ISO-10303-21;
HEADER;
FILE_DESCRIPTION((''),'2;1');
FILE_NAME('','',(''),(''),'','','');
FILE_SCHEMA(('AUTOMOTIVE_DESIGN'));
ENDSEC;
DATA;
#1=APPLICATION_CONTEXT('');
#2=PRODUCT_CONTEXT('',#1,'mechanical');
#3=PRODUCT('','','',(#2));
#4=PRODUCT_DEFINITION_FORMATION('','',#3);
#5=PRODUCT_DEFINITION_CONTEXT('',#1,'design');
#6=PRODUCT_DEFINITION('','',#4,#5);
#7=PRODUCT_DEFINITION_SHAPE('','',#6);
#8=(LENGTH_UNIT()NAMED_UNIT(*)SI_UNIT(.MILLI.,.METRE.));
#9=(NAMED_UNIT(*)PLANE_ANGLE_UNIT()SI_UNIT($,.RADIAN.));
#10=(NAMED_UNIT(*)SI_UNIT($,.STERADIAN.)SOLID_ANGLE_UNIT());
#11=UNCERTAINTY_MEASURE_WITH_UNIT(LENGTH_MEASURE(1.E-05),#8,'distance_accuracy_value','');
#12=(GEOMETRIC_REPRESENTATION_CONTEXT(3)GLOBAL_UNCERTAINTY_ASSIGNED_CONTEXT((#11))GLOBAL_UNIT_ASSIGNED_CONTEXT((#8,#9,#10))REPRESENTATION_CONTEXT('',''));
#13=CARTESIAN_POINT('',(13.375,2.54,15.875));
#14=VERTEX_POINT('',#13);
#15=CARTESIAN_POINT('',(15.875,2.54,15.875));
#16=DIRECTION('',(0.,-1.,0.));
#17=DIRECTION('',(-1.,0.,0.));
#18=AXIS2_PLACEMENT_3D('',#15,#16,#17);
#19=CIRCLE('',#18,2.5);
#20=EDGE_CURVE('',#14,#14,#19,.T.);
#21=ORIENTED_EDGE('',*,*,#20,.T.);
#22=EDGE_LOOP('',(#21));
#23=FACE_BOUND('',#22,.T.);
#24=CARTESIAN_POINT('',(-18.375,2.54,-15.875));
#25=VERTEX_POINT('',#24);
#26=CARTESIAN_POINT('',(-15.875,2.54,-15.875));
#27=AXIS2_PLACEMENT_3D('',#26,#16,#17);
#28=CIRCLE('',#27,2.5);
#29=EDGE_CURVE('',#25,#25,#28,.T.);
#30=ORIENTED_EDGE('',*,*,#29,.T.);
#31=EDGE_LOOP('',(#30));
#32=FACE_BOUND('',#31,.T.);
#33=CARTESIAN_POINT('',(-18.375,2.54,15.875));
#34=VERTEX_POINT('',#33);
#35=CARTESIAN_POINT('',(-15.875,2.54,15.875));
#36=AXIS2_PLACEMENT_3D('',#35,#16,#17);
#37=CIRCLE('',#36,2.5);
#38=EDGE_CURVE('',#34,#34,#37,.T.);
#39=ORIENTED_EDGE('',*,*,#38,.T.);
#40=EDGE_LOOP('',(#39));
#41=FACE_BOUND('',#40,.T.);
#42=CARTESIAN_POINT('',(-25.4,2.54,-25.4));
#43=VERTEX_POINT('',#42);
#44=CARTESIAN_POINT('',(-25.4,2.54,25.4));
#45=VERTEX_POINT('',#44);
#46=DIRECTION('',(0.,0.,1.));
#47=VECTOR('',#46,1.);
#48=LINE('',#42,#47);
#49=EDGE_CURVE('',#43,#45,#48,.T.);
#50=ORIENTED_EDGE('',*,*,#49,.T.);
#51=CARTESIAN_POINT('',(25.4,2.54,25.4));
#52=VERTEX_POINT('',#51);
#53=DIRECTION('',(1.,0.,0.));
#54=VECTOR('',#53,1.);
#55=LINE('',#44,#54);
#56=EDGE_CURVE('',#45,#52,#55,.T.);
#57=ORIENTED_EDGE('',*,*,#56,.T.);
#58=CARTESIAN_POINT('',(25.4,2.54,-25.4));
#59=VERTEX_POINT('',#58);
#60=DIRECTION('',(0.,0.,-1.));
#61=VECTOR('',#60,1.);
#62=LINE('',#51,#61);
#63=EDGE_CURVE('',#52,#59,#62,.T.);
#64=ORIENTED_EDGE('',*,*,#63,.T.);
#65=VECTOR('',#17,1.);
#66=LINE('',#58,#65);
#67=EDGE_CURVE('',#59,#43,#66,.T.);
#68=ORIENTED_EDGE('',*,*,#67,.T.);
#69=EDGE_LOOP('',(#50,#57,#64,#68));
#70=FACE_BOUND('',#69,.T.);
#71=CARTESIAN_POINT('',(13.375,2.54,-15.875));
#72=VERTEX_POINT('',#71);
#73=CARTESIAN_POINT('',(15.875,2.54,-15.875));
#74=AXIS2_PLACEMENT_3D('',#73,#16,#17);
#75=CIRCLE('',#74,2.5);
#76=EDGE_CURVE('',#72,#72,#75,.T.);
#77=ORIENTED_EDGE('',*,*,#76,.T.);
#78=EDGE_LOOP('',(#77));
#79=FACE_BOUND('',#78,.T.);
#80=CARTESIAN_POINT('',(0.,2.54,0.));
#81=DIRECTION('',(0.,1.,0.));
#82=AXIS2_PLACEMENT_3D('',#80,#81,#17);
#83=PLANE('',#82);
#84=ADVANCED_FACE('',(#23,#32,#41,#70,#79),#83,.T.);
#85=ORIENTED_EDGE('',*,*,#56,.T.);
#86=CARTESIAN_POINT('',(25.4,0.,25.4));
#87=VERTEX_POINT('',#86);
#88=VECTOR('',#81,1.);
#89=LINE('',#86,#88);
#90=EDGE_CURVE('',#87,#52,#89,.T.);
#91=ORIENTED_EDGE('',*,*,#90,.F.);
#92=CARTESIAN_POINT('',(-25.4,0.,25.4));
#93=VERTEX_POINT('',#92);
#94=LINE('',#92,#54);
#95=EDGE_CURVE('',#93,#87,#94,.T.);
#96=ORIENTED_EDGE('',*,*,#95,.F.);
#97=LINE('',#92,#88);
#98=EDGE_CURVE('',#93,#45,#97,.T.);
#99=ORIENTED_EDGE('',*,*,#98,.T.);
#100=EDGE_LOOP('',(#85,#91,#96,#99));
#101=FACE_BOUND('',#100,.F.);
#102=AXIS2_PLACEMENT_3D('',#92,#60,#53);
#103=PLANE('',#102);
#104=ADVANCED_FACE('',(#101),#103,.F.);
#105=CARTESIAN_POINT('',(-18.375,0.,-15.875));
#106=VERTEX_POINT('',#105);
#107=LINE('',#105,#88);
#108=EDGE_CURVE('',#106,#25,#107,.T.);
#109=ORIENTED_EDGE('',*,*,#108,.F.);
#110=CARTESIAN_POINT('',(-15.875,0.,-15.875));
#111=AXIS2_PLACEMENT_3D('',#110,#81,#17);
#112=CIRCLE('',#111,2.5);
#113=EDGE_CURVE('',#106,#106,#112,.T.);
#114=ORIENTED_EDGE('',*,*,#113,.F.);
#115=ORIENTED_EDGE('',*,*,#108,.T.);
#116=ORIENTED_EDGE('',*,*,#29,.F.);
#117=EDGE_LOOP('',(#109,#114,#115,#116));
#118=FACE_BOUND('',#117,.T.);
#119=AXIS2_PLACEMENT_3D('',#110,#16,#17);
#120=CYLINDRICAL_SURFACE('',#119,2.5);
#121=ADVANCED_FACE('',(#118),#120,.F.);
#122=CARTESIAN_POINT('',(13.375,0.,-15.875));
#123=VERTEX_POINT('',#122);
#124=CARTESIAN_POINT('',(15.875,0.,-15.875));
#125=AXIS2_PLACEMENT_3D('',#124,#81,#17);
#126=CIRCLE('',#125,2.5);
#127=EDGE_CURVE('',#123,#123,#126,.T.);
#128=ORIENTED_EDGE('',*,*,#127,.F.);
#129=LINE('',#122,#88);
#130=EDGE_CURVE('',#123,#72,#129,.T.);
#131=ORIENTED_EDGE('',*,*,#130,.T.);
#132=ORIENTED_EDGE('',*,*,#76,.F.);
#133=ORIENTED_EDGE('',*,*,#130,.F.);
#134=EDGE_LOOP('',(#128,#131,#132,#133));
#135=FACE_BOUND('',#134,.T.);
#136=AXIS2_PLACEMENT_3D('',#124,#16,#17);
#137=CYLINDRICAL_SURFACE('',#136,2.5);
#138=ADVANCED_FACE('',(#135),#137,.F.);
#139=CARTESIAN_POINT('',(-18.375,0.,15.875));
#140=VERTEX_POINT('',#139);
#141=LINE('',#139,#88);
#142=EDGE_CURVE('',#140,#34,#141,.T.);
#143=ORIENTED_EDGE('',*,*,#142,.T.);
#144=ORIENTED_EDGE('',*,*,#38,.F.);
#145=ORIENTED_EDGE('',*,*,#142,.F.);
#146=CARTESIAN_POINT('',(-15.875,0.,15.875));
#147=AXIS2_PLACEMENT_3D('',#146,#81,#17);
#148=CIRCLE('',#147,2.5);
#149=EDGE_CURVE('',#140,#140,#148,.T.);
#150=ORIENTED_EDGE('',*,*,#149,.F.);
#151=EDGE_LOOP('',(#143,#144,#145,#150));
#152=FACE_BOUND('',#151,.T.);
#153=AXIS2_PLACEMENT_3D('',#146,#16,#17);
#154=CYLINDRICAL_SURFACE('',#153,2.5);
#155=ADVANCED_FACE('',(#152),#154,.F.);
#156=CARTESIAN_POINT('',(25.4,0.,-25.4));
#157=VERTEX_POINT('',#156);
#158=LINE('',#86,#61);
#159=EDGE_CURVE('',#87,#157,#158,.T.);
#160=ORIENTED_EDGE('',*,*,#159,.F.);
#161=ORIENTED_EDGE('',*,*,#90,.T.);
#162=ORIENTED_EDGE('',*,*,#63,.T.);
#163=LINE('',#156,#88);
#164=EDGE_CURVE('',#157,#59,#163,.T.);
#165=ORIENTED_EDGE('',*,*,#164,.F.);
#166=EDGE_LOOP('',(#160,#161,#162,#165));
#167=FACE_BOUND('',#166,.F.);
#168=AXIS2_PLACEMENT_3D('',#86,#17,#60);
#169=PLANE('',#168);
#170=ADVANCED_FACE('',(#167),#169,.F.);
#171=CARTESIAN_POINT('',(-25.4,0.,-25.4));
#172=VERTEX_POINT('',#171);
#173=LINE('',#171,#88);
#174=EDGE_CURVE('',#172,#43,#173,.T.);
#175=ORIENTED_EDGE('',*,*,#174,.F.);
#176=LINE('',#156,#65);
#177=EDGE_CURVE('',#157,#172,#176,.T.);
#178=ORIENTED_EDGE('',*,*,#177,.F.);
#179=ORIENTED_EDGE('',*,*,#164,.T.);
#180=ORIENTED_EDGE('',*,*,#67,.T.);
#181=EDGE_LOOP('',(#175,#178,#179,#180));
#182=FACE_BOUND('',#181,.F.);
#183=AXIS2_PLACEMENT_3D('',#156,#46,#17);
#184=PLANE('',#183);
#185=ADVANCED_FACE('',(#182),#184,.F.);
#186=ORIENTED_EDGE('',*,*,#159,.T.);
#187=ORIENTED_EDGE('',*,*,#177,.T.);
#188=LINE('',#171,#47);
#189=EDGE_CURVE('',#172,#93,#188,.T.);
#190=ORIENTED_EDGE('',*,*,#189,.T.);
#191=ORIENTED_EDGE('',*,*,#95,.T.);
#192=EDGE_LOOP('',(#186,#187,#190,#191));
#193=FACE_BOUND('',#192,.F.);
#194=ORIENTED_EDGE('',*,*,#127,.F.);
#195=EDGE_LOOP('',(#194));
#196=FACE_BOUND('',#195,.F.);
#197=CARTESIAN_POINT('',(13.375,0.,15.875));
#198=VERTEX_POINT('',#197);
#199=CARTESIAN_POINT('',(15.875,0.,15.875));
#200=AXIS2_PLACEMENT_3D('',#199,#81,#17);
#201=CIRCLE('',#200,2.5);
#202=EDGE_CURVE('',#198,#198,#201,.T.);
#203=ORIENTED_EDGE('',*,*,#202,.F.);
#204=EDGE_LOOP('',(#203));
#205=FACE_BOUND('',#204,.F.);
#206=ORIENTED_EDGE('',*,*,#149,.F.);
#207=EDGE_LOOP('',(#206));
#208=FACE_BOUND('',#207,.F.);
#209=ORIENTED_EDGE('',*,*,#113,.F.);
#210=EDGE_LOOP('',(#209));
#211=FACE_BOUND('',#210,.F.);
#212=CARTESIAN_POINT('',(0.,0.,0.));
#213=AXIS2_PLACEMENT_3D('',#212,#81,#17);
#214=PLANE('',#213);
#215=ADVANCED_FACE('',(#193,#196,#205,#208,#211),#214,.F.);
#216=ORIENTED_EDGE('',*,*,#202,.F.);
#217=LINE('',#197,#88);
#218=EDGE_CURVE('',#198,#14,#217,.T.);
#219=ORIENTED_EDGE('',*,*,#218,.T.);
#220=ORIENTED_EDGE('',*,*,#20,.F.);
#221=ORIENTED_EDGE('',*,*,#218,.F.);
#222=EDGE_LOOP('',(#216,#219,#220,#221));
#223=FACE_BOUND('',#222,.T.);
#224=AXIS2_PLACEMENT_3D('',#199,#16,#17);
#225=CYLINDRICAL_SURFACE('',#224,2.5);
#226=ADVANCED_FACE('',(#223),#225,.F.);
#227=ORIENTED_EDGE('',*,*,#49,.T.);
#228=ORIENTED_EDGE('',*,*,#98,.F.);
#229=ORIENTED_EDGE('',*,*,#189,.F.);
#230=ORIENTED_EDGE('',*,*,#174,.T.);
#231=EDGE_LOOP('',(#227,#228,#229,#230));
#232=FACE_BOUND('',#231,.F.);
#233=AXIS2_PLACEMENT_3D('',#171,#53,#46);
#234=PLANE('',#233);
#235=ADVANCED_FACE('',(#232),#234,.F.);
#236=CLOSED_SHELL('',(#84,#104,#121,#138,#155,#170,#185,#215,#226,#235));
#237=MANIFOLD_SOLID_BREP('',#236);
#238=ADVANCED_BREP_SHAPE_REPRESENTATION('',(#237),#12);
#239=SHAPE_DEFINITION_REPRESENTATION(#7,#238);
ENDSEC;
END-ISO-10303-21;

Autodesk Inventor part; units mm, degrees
ref_plane "YZ Plane" through (0, 0, 0) normal (1, 0, 0) x (0, 1, 0)
ref_plane "XZ Plane" through (0, 0, 0) normal (0, 1, 0) x (-1, 0, 0)
ref_plane "XY Plane" through (0, 0, 0) normal (0, 0, 1) x (1, 0, 0)
sketch "Sketch1" plane through (0, 0, 0) normal (0, 1, 0) x (-1, 0, 0)
  line L0 (-25.4, -25.4) -> (25.4, -25.4)
  line L1 (25.4, -25.4) -> (25.4, 25.4)
  line L2 (25.4, 25.4) -> (-25.4, 25.4)
  line L3 (-25.4, 25.4) -> (-25.4, -25.4)
  line L4 (-25.4, -25.4) -> (25.4, 25.4) construction
  line L5 (25.4, -25.4) -> (-25.4, 25.4) construction
  line L6 (-15.875, 15.875) -> (15.875, 15.875)
  line L7 (15.875, 15.875) -> (15.875, -15.875)
  line L8 (15.875, -15.875) -> (-15.875, -15.875)
  line L9 (-15.875, -15.875) -> (-15.875, 15.875)
  line L10 (-15.875, 15.875) -> (15.875, -15.875) construction
  line L11 (15.875, 15.875) -> (-15.875, -15.875) construction
  circle A0 centre (15.875, 15.875) radius 2.5
  circle A1 centre (15.875, -15.875) radius 2.5
  circle A2 centre (-15.875, -15.875) radius 2.5
  circle A3 centre (-15.875, 15.875) radius 2.5
  point P0 (0, 0)
  dimension "d0" = 50.8
  dimension "d1" = 50.8
  dimension "d2" = 31.75
  dimension "d3" = 31.75
  dimension "d4" = 5
  dimension "d5" = 5
  dimension "d6" = 5
  dimension "d7" = 5
extrude "Extrusion1" add sketch "Sketch1" along normal blind 2.54 contours L3 L2 L1 L0 | L6 A0 L7 A1 L8 A2 L9 A3
properties part number "l channel guide"
